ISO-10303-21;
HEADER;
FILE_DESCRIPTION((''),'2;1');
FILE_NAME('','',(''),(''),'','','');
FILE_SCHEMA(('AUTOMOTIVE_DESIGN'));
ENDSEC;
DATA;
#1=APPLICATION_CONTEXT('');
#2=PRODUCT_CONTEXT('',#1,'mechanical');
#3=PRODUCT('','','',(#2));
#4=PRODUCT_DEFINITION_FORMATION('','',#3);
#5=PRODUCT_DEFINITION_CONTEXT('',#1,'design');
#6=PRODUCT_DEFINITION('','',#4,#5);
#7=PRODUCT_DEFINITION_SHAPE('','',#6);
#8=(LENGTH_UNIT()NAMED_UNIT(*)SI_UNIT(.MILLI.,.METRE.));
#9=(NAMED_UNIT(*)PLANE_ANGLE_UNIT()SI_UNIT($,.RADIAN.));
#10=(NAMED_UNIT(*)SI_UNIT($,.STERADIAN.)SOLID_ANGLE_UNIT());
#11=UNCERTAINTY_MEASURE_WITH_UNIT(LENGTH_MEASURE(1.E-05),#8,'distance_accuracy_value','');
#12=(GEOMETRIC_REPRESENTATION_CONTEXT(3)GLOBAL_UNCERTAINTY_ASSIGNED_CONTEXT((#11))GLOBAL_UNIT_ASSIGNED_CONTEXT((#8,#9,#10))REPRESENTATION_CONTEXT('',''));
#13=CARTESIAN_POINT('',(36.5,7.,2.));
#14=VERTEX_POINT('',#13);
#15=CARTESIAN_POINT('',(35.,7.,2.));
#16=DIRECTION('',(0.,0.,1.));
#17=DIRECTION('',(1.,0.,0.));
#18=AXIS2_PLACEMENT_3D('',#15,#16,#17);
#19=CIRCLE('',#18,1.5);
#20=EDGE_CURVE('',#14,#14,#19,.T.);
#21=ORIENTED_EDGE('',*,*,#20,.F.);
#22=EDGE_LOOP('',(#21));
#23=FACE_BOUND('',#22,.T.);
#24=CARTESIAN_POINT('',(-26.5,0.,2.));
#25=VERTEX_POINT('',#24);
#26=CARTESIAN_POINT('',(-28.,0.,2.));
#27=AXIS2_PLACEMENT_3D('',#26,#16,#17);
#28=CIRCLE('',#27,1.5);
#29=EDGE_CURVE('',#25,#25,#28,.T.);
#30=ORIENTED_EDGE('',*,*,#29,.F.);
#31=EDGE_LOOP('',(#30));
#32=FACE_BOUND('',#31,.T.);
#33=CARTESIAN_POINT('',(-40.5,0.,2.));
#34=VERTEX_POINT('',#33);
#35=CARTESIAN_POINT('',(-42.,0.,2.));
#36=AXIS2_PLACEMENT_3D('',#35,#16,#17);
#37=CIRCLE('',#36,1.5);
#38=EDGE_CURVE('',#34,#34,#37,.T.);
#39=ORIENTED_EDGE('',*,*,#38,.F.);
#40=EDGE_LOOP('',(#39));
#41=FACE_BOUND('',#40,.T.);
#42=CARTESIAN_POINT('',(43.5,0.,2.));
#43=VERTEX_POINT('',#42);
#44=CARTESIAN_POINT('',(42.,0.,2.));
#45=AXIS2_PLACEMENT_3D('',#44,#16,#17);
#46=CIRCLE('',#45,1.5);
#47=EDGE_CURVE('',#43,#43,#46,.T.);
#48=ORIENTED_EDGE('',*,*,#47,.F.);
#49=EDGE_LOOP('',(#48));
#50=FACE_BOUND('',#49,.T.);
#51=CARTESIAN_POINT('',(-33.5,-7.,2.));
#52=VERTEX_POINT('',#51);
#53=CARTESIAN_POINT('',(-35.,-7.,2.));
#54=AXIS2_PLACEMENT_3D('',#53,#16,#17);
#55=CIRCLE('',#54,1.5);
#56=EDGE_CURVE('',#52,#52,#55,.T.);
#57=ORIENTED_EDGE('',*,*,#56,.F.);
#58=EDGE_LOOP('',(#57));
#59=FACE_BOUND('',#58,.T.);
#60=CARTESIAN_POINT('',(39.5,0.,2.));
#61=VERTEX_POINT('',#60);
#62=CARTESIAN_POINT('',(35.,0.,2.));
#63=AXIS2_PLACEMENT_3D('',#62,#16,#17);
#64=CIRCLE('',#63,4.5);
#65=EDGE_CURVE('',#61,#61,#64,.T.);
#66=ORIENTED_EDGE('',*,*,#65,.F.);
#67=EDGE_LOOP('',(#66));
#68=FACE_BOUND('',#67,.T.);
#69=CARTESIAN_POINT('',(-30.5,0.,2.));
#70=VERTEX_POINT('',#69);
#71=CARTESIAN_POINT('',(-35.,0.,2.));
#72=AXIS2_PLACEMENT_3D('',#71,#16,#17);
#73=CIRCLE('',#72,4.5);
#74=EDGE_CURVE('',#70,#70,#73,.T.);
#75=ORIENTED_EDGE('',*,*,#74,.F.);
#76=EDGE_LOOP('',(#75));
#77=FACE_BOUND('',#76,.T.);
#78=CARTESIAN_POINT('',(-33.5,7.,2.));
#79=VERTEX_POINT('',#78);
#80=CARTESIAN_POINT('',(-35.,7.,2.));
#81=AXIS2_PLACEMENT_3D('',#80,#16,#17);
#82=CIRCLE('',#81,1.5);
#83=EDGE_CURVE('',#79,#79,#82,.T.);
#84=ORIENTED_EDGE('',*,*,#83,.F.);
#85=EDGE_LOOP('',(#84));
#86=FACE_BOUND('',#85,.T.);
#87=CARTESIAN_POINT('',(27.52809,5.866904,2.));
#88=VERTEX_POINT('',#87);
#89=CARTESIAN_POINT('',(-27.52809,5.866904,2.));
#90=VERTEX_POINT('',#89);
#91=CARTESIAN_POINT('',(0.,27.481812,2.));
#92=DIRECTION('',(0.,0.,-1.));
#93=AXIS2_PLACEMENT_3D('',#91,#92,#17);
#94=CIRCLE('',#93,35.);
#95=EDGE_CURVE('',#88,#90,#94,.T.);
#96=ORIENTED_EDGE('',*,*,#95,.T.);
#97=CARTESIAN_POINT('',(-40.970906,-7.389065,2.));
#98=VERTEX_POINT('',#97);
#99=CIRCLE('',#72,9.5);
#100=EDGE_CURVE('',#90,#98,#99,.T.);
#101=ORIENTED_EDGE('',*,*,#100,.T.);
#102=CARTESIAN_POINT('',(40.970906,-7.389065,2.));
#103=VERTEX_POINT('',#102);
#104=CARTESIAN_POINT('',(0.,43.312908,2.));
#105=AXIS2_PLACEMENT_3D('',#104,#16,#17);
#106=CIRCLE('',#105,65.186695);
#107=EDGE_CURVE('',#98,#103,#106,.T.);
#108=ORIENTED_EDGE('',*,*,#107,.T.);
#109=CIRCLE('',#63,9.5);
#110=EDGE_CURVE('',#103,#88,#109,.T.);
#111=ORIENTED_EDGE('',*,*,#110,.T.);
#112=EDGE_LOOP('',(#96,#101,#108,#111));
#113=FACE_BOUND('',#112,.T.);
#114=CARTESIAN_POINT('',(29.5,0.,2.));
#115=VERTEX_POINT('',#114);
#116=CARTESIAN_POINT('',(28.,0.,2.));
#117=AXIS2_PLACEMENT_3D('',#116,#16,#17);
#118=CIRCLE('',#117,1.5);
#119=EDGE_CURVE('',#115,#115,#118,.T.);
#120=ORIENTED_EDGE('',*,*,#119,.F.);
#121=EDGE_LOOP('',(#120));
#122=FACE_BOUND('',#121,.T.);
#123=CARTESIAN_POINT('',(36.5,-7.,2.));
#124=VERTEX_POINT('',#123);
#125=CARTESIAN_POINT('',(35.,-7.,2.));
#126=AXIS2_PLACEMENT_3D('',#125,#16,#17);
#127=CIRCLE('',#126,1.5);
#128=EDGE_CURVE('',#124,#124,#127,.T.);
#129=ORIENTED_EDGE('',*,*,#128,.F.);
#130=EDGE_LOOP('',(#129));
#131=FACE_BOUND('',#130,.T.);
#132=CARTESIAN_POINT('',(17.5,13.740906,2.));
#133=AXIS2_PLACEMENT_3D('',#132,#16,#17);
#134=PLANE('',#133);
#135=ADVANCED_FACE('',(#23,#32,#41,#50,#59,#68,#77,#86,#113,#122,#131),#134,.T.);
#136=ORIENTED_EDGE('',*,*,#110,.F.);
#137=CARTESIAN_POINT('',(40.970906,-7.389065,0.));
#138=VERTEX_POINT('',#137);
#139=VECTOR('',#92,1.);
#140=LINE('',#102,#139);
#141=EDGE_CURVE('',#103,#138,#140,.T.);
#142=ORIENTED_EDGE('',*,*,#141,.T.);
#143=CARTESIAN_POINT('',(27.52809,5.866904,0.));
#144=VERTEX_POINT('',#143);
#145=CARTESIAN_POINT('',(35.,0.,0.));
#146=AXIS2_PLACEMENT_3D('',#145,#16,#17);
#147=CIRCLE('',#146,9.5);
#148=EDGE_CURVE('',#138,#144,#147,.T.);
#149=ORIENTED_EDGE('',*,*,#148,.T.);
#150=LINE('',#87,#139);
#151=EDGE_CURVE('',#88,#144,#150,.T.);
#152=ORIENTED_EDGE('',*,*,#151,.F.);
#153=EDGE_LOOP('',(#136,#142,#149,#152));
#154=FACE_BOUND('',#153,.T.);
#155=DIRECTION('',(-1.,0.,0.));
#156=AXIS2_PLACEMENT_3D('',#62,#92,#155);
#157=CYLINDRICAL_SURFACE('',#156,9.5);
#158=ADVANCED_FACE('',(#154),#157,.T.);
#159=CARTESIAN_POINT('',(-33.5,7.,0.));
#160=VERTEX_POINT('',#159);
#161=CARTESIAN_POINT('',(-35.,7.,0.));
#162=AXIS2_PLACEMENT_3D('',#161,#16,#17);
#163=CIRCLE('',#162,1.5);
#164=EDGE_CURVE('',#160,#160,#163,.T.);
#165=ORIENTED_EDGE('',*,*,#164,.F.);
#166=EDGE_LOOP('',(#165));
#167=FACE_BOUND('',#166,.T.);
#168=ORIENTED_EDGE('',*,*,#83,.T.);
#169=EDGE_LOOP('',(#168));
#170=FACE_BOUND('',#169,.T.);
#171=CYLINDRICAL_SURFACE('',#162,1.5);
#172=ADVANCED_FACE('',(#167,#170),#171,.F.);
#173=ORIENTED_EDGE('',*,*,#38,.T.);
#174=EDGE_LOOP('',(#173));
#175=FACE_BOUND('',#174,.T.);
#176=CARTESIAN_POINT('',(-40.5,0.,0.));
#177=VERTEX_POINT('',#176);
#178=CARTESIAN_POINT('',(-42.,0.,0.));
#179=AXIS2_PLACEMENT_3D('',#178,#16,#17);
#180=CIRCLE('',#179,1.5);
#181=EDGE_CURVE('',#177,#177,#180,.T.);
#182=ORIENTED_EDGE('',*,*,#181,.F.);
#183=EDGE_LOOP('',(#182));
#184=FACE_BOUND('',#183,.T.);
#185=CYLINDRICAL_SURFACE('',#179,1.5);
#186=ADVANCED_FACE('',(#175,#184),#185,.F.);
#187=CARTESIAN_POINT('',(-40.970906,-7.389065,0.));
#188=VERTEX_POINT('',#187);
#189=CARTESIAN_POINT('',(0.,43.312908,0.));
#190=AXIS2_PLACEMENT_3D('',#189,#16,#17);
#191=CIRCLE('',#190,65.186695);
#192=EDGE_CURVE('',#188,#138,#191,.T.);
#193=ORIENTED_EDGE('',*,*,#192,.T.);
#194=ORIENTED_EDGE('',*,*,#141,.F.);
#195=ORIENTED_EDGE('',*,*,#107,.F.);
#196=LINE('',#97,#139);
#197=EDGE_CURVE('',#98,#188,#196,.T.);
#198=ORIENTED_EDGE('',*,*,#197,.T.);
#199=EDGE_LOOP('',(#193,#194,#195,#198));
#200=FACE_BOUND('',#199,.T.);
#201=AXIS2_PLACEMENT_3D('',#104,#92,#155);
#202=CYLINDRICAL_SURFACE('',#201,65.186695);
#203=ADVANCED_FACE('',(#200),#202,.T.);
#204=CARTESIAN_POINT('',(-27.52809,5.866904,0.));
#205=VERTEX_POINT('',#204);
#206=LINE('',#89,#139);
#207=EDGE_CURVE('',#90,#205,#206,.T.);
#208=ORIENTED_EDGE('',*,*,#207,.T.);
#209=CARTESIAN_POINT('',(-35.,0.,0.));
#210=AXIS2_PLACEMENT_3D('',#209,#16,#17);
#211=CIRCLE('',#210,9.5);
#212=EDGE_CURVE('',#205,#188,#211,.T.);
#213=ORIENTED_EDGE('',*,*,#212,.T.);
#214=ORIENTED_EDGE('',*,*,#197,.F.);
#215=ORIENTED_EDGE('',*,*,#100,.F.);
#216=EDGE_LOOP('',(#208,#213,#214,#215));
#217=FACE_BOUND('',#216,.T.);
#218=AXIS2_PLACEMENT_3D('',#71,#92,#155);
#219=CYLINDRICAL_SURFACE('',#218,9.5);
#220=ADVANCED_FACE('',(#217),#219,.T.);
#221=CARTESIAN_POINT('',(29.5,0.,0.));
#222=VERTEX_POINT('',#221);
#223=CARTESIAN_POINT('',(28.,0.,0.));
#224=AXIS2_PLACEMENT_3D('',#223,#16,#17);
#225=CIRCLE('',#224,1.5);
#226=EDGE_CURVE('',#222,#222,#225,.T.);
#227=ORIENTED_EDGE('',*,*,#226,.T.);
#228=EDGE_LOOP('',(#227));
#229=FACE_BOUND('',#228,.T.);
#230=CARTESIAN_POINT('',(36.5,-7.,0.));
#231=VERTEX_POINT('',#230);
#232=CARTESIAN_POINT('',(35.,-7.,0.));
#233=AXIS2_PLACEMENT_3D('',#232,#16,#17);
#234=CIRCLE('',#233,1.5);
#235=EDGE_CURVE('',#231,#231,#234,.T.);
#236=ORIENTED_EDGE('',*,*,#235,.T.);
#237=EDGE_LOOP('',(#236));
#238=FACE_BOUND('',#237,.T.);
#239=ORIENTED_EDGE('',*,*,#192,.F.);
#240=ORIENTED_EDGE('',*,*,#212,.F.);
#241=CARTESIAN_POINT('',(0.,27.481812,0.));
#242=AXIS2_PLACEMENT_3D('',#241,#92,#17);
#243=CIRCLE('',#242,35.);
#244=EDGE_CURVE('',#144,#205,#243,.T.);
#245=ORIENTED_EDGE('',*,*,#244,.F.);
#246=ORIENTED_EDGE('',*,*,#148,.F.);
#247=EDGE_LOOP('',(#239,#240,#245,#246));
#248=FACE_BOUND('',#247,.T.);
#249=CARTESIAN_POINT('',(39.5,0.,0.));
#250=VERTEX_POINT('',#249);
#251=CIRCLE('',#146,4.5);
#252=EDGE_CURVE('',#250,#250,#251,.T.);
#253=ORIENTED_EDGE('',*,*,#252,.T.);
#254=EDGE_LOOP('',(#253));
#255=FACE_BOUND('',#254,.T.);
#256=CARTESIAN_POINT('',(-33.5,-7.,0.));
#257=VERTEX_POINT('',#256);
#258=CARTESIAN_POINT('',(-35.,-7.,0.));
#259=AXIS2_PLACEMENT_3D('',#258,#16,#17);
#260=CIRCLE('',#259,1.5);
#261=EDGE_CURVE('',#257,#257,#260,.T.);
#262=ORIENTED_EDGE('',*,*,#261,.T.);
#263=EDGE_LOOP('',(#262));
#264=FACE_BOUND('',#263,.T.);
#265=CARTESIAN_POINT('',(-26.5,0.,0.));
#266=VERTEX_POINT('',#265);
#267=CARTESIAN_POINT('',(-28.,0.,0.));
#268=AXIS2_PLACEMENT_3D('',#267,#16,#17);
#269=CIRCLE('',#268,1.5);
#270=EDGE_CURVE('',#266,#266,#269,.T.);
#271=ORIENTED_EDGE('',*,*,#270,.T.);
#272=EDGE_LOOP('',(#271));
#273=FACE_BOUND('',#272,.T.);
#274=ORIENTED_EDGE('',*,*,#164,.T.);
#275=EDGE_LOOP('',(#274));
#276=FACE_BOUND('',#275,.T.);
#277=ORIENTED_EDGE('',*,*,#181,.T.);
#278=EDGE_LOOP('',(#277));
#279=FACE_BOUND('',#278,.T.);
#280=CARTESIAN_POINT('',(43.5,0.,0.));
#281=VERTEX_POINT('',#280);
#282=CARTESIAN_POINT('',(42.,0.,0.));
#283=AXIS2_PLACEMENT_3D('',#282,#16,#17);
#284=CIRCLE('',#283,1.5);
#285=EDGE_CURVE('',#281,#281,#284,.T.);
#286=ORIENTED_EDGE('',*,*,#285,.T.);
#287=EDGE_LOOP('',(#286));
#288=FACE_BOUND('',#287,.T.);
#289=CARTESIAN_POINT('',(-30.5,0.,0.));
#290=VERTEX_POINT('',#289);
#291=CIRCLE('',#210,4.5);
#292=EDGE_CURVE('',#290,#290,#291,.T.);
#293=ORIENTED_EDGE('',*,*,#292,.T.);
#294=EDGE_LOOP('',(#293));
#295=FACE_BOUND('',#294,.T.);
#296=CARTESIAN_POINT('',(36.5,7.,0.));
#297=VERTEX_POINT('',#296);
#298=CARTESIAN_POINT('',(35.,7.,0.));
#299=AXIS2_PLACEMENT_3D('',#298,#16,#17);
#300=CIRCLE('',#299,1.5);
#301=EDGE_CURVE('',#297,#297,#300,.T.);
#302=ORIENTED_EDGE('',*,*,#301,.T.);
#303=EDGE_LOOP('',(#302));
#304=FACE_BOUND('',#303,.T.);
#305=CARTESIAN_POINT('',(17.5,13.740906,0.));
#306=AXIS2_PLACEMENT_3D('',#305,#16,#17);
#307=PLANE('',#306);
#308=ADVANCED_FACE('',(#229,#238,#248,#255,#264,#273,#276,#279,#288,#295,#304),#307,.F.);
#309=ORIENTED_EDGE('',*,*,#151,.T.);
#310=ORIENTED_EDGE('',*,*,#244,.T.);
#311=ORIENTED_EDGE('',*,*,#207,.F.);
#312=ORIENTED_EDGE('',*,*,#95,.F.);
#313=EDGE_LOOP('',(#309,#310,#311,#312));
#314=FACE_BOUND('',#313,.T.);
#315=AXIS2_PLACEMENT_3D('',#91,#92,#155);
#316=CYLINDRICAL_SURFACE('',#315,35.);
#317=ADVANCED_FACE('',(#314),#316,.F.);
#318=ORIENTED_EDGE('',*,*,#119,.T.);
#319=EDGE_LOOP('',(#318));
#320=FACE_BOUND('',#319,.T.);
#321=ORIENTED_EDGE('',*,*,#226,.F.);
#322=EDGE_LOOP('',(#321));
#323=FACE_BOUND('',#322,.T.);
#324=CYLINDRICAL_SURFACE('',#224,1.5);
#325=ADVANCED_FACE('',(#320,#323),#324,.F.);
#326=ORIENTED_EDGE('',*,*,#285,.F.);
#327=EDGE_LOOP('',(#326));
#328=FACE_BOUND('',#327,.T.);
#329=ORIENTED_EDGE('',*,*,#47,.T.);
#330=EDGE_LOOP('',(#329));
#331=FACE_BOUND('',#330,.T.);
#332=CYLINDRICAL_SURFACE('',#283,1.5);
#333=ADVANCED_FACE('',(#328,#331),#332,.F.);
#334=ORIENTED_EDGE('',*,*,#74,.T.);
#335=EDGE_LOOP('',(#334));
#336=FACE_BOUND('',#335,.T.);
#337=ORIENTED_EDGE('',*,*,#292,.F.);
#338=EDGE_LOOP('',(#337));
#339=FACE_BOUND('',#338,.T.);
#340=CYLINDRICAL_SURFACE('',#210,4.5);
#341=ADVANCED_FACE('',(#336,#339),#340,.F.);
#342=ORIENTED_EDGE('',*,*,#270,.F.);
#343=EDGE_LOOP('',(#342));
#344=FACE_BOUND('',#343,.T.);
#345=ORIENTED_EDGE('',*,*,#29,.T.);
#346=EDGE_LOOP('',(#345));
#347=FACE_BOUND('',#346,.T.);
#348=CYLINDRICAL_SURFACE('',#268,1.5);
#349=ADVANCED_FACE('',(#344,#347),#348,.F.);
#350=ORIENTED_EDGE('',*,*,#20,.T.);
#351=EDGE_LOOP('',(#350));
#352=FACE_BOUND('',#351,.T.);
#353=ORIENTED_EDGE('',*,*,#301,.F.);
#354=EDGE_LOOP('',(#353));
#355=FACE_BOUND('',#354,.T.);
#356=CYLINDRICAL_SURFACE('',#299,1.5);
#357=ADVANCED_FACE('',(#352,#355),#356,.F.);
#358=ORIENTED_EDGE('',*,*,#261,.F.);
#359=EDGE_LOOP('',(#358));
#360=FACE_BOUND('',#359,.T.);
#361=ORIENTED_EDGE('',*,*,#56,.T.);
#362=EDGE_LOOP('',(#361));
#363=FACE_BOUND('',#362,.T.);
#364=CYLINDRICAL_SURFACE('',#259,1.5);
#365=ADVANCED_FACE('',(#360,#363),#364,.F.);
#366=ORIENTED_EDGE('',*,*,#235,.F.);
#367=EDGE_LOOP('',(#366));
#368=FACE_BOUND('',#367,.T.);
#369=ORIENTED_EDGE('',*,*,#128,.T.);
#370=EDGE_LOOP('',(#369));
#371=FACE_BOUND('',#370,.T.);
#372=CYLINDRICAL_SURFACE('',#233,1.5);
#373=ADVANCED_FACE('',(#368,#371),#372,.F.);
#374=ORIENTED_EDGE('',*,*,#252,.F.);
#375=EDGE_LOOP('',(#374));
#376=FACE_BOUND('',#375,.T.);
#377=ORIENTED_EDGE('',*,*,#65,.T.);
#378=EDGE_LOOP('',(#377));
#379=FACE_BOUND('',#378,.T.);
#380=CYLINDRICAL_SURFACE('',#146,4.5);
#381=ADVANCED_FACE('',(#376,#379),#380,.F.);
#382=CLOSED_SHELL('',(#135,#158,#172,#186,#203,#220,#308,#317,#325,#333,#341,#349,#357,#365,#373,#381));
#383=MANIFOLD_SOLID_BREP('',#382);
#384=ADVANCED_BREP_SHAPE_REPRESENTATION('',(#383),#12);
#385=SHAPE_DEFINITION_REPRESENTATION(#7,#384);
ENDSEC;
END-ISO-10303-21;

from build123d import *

# Parameters (mm, degrees)
EXTRUDE_1_DEPTH     = 2
SKETCH_2_R          = 4.5
SKETCH_2_R_2        = 1.5
CUT_EXTRUDE_1_DEPTH = 2


with BuildPart() as part:
    # 草图1 → 凸台-拉伸1 (new body)
    with BuildSketch(Plane.XY):
        with BuildLine():
            ThreePointArc((-27.528089888, 5.866903721), (-41.670339741, 6.764360114), (-40.970905632, -7.389065295))
            ThreePointArc((-40.970905632, -7.389065295), (0, -21.87378703), (40.970905632, -7.389065295))
            ThreePointArc((40.970905632, -7.389065295), (41.670339741, 6.764360114), (27.528089888, 5.866903721))
            ThreePointArc((27.528089888, 5.866903721), (0, -7.518187833), (-27.528089888, 5.866903721))
        make_face()
    extrude(amount=EXTRUDE_1_DEPTH)

    # 草图2 → 切除-拉伸1 (cut)
    with BuildSketch(Plane.XY.offset(2)):
        with Locations((35, 0)):
            Circle(SKETCH_2_R)
        with Locations((-35, 0)):
            Circle(SKETCH_2_R)
        with Locations((-28, 0)):
            Circle(SKETCH_2_R_2)
        with Locations((-35, -7)):
            Circle(SKETCH_2_R_2)
        with Locations((-42, 0)):
            Circle(SKETCH_2_R_2)
        with Locations((-35, 7)):
            Circle(SKETCH_2_R_2)
        with Locations((28, 0)):
            Circle(SKETCH_2_R_2)
        with Locations((35, 7)):
            Circle(SKETCH_2_R_2)
        with Locations((42, 0)):
            Circle(SKETCH_2_R_2)
        with Locations((35, -7)):
            Circle(SKETCH_2_R_2)
    extrude(amount=-CUT_EXTRUDE_1_DEPTH, mode=Mode.SUBTRACT)


solid = part.part
